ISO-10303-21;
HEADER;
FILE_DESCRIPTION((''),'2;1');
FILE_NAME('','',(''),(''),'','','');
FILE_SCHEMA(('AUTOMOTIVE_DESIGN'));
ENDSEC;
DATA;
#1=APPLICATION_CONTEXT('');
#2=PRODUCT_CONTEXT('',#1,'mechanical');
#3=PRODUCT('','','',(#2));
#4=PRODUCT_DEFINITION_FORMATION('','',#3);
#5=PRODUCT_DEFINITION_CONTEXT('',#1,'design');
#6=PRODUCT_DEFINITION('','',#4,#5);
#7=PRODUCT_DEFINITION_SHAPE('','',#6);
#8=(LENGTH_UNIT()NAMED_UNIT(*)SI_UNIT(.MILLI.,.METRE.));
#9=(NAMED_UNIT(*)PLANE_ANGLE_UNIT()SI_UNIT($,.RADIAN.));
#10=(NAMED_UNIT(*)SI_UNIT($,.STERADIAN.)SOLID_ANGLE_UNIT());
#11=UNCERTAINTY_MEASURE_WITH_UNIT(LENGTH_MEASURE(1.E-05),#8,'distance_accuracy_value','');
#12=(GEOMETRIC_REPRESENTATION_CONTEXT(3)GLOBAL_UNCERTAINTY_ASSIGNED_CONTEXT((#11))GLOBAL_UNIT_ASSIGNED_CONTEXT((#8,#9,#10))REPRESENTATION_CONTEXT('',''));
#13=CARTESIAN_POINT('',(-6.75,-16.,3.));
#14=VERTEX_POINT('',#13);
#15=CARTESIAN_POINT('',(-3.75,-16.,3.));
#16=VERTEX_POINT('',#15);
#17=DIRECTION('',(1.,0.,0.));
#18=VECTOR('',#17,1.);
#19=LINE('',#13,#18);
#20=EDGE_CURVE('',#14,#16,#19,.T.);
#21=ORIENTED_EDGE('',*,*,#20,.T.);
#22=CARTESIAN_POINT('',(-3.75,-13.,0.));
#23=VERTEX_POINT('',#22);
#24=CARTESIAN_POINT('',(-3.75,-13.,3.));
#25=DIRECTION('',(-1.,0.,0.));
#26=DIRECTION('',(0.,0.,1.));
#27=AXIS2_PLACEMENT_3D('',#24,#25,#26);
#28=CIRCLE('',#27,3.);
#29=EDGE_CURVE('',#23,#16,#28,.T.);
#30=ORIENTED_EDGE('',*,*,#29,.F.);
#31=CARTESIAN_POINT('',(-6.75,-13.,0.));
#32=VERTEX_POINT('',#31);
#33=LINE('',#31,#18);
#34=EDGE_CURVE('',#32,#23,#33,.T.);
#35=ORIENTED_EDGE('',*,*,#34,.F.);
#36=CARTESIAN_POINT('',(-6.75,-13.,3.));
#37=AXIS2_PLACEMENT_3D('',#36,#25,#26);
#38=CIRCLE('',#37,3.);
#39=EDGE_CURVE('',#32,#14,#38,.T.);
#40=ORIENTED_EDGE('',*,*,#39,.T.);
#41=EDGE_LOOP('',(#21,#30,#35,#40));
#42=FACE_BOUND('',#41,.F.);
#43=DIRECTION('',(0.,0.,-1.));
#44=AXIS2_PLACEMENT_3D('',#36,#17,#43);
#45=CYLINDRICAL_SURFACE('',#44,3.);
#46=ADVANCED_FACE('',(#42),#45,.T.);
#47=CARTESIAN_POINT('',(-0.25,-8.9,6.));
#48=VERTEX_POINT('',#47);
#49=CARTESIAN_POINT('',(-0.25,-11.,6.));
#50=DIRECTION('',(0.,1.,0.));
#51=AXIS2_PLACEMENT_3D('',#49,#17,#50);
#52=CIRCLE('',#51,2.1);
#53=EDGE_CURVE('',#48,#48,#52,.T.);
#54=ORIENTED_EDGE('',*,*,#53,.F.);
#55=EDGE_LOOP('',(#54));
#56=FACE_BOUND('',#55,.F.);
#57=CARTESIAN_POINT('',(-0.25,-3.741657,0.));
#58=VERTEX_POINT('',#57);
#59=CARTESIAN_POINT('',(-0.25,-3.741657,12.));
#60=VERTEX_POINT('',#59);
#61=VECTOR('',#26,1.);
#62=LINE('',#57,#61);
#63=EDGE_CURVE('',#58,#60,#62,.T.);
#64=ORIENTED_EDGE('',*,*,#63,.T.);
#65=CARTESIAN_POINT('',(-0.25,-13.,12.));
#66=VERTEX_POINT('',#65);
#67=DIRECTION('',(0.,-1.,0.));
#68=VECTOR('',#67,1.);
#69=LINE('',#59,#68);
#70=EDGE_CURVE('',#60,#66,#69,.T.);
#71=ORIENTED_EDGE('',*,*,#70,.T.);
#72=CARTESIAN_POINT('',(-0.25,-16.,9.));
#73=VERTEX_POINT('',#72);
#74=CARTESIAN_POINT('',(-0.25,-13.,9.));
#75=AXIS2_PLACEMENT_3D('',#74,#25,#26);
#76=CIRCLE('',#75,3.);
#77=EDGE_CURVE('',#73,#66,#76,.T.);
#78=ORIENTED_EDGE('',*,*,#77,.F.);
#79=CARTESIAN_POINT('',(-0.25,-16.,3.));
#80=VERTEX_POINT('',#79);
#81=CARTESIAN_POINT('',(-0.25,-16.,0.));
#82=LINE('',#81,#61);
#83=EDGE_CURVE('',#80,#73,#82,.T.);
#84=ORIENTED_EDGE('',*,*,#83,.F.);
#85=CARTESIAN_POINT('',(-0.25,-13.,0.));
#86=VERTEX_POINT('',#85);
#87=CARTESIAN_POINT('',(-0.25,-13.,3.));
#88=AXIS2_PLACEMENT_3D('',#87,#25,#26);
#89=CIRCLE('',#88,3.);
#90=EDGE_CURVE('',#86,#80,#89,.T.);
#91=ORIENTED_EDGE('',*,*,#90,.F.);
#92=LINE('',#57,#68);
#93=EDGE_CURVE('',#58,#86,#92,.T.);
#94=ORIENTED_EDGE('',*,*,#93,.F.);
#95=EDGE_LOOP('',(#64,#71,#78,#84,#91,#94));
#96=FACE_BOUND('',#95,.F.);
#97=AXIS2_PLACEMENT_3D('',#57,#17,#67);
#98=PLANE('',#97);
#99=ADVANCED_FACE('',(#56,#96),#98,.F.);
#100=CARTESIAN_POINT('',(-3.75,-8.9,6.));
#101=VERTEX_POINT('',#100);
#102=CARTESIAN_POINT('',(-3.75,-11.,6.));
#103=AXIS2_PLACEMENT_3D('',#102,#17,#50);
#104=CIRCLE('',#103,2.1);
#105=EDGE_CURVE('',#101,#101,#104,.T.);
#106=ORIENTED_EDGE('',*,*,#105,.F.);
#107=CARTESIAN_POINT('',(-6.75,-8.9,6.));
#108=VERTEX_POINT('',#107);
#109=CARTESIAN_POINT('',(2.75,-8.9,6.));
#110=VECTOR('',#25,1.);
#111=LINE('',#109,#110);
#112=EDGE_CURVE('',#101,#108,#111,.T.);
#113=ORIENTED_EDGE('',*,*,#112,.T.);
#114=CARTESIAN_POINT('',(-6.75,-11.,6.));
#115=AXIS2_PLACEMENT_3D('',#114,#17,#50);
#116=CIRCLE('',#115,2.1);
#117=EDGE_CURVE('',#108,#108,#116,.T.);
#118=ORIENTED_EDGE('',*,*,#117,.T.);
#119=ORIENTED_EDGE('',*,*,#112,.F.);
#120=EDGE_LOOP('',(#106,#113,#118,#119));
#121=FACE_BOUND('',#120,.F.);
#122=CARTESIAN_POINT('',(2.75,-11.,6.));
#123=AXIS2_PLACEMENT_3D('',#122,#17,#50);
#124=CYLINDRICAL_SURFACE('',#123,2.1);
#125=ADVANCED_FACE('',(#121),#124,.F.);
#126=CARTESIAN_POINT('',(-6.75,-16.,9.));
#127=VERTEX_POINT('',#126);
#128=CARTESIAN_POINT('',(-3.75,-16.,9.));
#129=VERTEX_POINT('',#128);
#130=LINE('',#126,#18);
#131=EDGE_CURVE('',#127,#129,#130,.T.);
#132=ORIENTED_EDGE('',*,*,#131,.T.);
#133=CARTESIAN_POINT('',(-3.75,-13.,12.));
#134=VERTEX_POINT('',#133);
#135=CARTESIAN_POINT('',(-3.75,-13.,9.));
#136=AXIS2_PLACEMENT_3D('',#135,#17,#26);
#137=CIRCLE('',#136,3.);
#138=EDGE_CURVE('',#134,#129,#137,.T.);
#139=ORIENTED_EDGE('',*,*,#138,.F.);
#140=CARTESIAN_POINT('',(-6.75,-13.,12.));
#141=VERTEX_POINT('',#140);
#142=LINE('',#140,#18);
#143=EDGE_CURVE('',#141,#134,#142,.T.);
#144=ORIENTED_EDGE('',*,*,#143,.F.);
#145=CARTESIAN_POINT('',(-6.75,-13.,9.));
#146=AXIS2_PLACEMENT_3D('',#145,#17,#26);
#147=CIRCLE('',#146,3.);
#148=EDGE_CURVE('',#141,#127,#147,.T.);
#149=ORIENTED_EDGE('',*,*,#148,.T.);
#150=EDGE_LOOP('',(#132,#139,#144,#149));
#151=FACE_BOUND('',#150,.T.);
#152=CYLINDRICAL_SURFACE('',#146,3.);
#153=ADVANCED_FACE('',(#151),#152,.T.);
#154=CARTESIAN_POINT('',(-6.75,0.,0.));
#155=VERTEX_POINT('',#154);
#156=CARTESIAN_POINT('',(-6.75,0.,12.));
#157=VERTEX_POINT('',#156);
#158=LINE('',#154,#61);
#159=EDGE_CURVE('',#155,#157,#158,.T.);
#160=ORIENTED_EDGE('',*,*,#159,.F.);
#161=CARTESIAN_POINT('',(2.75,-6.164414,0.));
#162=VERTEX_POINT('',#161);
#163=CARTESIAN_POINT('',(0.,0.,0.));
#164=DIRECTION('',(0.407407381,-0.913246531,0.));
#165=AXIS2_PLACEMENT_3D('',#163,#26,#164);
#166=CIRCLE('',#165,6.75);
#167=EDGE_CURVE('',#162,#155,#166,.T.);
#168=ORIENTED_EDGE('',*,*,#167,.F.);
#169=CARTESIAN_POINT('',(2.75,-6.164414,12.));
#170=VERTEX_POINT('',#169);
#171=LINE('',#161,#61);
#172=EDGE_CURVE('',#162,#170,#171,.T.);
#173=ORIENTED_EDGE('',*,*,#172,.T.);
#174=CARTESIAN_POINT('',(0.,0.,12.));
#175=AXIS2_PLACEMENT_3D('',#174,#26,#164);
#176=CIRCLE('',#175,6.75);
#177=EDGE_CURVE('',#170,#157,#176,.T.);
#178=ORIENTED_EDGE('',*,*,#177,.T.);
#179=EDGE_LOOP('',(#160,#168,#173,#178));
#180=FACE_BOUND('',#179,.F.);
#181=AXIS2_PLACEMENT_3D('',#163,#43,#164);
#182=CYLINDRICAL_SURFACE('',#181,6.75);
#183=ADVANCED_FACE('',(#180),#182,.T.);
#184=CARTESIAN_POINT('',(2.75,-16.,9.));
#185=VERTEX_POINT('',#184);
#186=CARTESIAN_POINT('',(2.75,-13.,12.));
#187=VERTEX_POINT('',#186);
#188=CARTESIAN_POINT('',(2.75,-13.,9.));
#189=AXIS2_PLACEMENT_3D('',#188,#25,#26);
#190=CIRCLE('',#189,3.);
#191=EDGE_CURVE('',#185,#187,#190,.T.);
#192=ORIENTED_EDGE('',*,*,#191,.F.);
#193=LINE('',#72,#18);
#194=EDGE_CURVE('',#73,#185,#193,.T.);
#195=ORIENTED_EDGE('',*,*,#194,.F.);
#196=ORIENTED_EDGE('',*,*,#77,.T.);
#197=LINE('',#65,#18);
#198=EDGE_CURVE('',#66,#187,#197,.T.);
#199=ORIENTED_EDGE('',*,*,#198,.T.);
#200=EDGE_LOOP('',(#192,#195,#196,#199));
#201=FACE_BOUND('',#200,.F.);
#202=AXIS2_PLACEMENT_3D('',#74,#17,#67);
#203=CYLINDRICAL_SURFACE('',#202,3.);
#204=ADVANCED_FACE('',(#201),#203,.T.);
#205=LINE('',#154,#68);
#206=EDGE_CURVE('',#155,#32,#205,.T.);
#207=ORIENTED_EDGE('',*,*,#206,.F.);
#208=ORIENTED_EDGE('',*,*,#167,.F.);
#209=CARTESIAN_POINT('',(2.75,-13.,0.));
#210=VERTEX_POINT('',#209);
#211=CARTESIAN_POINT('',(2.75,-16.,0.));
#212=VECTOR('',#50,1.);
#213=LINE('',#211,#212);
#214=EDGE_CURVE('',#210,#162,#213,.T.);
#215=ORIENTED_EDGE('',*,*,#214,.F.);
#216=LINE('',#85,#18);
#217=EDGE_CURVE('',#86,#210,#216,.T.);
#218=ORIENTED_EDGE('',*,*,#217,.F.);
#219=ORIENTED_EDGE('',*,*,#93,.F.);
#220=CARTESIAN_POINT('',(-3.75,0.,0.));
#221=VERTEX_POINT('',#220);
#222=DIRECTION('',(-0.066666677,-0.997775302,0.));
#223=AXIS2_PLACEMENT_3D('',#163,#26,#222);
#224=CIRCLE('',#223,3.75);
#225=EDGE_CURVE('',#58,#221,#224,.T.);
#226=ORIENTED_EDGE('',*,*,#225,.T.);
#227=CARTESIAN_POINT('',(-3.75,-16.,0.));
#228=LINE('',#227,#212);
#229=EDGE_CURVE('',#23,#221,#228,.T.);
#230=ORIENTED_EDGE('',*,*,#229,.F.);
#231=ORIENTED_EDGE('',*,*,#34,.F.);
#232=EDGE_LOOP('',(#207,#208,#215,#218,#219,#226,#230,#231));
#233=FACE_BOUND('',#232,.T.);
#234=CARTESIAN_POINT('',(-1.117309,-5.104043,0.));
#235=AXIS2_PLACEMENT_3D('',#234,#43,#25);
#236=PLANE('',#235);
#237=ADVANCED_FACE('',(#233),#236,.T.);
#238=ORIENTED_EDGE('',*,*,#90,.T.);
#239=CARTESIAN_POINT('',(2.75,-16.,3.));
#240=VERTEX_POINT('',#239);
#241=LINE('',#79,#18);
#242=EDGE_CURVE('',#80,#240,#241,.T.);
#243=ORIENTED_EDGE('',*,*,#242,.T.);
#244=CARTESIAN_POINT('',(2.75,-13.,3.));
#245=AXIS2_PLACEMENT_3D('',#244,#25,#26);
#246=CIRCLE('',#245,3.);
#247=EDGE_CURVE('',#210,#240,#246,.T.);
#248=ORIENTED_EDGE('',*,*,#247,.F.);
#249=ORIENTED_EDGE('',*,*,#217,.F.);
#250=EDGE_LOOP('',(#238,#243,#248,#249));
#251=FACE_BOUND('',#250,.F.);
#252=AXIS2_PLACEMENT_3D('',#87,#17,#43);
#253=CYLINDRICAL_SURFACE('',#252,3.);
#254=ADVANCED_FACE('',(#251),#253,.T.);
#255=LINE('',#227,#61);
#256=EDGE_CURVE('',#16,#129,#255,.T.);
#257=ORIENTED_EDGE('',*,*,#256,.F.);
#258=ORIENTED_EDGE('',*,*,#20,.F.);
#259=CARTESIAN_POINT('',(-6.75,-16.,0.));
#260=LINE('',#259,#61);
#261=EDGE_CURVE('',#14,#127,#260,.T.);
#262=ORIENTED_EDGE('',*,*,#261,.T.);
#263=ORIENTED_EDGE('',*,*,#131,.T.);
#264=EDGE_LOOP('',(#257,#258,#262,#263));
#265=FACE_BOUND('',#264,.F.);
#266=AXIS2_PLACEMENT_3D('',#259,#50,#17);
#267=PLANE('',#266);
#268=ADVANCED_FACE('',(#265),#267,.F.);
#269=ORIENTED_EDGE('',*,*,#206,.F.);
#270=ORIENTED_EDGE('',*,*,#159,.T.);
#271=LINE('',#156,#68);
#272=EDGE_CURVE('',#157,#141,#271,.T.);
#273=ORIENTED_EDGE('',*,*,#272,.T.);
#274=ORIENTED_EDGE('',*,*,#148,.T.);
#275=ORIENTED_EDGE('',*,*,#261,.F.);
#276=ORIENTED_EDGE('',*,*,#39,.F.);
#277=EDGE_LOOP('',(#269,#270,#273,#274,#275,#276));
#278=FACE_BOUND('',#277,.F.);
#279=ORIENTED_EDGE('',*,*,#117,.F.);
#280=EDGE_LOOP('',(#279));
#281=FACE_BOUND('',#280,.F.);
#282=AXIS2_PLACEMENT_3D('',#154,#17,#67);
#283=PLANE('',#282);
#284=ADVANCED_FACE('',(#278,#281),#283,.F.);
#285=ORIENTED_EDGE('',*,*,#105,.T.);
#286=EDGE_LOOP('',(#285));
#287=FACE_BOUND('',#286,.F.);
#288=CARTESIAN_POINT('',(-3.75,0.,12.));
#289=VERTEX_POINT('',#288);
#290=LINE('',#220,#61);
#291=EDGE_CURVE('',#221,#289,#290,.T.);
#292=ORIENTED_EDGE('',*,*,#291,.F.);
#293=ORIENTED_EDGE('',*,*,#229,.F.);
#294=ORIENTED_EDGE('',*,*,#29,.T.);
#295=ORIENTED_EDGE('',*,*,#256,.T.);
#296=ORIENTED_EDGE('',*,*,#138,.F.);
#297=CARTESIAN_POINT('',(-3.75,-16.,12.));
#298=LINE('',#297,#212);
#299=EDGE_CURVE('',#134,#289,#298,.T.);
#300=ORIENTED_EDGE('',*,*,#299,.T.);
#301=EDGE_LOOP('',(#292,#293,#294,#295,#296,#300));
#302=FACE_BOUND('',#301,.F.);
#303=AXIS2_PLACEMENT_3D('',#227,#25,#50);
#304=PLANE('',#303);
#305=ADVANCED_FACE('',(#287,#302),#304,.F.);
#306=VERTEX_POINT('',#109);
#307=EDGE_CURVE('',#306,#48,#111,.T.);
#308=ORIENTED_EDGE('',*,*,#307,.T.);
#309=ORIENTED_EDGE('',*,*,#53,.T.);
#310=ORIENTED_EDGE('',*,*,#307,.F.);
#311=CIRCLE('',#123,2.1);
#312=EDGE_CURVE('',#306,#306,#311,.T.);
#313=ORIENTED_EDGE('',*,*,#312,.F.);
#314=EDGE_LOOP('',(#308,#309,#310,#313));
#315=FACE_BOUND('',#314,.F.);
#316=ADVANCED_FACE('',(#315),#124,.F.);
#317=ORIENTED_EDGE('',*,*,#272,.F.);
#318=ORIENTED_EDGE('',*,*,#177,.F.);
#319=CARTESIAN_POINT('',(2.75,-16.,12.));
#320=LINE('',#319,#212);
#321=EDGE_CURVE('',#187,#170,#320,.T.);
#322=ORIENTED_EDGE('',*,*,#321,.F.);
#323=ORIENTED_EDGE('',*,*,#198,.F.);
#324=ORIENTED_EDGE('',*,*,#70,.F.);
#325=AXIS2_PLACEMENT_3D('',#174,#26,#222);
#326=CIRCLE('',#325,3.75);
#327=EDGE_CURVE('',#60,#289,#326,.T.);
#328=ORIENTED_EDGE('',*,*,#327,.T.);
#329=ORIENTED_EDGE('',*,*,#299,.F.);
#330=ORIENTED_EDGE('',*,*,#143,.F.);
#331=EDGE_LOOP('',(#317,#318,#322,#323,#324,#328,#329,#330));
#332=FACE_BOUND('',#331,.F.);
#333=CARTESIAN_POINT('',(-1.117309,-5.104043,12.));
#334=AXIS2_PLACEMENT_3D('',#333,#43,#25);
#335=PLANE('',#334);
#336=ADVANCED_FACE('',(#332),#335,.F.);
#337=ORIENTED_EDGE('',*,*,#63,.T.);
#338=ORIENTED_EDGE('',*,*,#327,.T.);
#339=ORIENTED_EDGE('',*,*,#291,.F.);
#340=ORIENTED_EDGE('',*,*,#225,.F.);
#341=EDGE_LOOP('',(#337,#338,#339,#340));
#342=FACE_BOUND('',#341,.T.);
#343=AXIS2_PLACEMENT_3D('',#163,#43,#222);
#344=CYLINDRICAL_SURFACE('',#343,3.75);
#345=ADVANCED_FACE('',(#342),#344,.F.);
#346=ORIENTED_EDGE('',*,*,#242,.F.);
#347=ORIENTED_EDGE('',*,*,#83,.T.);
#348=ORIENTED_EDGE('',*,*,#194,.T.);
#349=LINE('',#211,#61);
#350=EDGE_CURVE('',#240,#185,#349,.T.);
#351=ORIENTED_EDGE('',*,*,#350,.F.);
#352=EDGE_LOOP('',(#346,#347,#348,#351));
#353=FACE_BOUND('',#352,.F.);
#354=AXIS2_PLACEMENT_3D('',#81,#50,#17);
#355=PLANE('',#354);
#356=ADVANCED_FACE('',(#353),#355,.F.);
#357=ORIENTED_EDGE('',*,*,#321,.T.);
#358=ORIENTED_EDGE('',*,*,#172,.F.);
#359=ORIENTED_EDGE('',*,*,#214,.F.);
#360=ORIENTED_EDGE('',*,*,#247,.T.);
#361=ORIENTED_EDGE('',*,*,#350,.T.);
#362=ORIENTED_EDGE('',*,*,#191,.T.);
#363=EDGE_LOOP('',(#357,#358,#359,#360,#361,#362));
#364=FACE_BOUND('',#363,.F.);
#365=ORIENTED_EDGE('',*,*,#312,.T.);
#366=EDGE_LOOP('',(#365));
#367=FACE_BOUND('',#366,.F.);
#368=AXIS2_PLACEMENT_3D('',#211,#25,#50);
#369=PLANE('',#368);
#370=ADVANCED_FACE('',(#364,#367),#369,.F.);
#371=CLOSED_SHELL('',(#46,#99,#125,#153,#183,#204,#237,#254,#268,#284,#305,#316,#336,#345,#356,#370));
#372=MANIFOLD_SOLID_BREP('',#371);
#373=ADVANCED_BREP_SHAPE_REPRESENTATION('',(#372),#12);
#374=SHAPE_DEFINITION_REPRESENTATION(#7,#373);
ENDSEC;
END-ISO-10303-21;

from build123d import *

# Parameters (mm, degrees)
PAD_DEPTH    = 12
SKETCH001_R  = 2.1
POCKET_DEPTH = 9.501
FILLET_R     = 3
FILLET001_R  = 3


with BuildPart() as part:
    # Sketch → Pad (new body)
    with BuildSketch(Plane.XY):
        with BuildLine():
            ThreePointArc((-0.25, -3.741657), (2.738613, 2.561738), (-3.75, 0))
            Line((-3.75, -16), (-3.75, 0))
            Line((-6.75, -16), (-3.75, -16))
            Line((-6.75, 0), (-6.75, -16))
            ThreePointArc((2.75, -6.164414), (3.674235, 5.662376), (-6.75, 0))
            Line((2.75, -16), (2.75, -6.164414))
            Line((-0.25, -16), (2.75, -16))
            Line((-0.25, -3.741657), (-0.25, -16))
        make_face()
    extrude(amount=PAD_DEPTH)

    # Sketch001 → Pocket (cut, through all)
    with BuildSketch(Plane.YZ.offset(2.75)):
        with Locations((-11, 6)):
            Circle(SKETCH001_R)
    extrude(amount=-POCKET_DEPTH, mode=Mode.SUBTRACT)

    # Fillet
    fillet_edges = [part.edges().sort_by_distance(p)[0] for p in [
        (1.25, -16, 0),
        (-5.25, -16, 0),
    ]]
    fillet(fillet_edges, radius=FILLET_R)

    # Fillet001
    fillet001_edges = [part.edges().sort_by_distance(p)[0] for p in [
        (-5.25, -16, 12),
        (1.25, -16, 12),
    ]]
    fillet(fillet001_edges, radius=FILLET001_R)


solid = part.part
